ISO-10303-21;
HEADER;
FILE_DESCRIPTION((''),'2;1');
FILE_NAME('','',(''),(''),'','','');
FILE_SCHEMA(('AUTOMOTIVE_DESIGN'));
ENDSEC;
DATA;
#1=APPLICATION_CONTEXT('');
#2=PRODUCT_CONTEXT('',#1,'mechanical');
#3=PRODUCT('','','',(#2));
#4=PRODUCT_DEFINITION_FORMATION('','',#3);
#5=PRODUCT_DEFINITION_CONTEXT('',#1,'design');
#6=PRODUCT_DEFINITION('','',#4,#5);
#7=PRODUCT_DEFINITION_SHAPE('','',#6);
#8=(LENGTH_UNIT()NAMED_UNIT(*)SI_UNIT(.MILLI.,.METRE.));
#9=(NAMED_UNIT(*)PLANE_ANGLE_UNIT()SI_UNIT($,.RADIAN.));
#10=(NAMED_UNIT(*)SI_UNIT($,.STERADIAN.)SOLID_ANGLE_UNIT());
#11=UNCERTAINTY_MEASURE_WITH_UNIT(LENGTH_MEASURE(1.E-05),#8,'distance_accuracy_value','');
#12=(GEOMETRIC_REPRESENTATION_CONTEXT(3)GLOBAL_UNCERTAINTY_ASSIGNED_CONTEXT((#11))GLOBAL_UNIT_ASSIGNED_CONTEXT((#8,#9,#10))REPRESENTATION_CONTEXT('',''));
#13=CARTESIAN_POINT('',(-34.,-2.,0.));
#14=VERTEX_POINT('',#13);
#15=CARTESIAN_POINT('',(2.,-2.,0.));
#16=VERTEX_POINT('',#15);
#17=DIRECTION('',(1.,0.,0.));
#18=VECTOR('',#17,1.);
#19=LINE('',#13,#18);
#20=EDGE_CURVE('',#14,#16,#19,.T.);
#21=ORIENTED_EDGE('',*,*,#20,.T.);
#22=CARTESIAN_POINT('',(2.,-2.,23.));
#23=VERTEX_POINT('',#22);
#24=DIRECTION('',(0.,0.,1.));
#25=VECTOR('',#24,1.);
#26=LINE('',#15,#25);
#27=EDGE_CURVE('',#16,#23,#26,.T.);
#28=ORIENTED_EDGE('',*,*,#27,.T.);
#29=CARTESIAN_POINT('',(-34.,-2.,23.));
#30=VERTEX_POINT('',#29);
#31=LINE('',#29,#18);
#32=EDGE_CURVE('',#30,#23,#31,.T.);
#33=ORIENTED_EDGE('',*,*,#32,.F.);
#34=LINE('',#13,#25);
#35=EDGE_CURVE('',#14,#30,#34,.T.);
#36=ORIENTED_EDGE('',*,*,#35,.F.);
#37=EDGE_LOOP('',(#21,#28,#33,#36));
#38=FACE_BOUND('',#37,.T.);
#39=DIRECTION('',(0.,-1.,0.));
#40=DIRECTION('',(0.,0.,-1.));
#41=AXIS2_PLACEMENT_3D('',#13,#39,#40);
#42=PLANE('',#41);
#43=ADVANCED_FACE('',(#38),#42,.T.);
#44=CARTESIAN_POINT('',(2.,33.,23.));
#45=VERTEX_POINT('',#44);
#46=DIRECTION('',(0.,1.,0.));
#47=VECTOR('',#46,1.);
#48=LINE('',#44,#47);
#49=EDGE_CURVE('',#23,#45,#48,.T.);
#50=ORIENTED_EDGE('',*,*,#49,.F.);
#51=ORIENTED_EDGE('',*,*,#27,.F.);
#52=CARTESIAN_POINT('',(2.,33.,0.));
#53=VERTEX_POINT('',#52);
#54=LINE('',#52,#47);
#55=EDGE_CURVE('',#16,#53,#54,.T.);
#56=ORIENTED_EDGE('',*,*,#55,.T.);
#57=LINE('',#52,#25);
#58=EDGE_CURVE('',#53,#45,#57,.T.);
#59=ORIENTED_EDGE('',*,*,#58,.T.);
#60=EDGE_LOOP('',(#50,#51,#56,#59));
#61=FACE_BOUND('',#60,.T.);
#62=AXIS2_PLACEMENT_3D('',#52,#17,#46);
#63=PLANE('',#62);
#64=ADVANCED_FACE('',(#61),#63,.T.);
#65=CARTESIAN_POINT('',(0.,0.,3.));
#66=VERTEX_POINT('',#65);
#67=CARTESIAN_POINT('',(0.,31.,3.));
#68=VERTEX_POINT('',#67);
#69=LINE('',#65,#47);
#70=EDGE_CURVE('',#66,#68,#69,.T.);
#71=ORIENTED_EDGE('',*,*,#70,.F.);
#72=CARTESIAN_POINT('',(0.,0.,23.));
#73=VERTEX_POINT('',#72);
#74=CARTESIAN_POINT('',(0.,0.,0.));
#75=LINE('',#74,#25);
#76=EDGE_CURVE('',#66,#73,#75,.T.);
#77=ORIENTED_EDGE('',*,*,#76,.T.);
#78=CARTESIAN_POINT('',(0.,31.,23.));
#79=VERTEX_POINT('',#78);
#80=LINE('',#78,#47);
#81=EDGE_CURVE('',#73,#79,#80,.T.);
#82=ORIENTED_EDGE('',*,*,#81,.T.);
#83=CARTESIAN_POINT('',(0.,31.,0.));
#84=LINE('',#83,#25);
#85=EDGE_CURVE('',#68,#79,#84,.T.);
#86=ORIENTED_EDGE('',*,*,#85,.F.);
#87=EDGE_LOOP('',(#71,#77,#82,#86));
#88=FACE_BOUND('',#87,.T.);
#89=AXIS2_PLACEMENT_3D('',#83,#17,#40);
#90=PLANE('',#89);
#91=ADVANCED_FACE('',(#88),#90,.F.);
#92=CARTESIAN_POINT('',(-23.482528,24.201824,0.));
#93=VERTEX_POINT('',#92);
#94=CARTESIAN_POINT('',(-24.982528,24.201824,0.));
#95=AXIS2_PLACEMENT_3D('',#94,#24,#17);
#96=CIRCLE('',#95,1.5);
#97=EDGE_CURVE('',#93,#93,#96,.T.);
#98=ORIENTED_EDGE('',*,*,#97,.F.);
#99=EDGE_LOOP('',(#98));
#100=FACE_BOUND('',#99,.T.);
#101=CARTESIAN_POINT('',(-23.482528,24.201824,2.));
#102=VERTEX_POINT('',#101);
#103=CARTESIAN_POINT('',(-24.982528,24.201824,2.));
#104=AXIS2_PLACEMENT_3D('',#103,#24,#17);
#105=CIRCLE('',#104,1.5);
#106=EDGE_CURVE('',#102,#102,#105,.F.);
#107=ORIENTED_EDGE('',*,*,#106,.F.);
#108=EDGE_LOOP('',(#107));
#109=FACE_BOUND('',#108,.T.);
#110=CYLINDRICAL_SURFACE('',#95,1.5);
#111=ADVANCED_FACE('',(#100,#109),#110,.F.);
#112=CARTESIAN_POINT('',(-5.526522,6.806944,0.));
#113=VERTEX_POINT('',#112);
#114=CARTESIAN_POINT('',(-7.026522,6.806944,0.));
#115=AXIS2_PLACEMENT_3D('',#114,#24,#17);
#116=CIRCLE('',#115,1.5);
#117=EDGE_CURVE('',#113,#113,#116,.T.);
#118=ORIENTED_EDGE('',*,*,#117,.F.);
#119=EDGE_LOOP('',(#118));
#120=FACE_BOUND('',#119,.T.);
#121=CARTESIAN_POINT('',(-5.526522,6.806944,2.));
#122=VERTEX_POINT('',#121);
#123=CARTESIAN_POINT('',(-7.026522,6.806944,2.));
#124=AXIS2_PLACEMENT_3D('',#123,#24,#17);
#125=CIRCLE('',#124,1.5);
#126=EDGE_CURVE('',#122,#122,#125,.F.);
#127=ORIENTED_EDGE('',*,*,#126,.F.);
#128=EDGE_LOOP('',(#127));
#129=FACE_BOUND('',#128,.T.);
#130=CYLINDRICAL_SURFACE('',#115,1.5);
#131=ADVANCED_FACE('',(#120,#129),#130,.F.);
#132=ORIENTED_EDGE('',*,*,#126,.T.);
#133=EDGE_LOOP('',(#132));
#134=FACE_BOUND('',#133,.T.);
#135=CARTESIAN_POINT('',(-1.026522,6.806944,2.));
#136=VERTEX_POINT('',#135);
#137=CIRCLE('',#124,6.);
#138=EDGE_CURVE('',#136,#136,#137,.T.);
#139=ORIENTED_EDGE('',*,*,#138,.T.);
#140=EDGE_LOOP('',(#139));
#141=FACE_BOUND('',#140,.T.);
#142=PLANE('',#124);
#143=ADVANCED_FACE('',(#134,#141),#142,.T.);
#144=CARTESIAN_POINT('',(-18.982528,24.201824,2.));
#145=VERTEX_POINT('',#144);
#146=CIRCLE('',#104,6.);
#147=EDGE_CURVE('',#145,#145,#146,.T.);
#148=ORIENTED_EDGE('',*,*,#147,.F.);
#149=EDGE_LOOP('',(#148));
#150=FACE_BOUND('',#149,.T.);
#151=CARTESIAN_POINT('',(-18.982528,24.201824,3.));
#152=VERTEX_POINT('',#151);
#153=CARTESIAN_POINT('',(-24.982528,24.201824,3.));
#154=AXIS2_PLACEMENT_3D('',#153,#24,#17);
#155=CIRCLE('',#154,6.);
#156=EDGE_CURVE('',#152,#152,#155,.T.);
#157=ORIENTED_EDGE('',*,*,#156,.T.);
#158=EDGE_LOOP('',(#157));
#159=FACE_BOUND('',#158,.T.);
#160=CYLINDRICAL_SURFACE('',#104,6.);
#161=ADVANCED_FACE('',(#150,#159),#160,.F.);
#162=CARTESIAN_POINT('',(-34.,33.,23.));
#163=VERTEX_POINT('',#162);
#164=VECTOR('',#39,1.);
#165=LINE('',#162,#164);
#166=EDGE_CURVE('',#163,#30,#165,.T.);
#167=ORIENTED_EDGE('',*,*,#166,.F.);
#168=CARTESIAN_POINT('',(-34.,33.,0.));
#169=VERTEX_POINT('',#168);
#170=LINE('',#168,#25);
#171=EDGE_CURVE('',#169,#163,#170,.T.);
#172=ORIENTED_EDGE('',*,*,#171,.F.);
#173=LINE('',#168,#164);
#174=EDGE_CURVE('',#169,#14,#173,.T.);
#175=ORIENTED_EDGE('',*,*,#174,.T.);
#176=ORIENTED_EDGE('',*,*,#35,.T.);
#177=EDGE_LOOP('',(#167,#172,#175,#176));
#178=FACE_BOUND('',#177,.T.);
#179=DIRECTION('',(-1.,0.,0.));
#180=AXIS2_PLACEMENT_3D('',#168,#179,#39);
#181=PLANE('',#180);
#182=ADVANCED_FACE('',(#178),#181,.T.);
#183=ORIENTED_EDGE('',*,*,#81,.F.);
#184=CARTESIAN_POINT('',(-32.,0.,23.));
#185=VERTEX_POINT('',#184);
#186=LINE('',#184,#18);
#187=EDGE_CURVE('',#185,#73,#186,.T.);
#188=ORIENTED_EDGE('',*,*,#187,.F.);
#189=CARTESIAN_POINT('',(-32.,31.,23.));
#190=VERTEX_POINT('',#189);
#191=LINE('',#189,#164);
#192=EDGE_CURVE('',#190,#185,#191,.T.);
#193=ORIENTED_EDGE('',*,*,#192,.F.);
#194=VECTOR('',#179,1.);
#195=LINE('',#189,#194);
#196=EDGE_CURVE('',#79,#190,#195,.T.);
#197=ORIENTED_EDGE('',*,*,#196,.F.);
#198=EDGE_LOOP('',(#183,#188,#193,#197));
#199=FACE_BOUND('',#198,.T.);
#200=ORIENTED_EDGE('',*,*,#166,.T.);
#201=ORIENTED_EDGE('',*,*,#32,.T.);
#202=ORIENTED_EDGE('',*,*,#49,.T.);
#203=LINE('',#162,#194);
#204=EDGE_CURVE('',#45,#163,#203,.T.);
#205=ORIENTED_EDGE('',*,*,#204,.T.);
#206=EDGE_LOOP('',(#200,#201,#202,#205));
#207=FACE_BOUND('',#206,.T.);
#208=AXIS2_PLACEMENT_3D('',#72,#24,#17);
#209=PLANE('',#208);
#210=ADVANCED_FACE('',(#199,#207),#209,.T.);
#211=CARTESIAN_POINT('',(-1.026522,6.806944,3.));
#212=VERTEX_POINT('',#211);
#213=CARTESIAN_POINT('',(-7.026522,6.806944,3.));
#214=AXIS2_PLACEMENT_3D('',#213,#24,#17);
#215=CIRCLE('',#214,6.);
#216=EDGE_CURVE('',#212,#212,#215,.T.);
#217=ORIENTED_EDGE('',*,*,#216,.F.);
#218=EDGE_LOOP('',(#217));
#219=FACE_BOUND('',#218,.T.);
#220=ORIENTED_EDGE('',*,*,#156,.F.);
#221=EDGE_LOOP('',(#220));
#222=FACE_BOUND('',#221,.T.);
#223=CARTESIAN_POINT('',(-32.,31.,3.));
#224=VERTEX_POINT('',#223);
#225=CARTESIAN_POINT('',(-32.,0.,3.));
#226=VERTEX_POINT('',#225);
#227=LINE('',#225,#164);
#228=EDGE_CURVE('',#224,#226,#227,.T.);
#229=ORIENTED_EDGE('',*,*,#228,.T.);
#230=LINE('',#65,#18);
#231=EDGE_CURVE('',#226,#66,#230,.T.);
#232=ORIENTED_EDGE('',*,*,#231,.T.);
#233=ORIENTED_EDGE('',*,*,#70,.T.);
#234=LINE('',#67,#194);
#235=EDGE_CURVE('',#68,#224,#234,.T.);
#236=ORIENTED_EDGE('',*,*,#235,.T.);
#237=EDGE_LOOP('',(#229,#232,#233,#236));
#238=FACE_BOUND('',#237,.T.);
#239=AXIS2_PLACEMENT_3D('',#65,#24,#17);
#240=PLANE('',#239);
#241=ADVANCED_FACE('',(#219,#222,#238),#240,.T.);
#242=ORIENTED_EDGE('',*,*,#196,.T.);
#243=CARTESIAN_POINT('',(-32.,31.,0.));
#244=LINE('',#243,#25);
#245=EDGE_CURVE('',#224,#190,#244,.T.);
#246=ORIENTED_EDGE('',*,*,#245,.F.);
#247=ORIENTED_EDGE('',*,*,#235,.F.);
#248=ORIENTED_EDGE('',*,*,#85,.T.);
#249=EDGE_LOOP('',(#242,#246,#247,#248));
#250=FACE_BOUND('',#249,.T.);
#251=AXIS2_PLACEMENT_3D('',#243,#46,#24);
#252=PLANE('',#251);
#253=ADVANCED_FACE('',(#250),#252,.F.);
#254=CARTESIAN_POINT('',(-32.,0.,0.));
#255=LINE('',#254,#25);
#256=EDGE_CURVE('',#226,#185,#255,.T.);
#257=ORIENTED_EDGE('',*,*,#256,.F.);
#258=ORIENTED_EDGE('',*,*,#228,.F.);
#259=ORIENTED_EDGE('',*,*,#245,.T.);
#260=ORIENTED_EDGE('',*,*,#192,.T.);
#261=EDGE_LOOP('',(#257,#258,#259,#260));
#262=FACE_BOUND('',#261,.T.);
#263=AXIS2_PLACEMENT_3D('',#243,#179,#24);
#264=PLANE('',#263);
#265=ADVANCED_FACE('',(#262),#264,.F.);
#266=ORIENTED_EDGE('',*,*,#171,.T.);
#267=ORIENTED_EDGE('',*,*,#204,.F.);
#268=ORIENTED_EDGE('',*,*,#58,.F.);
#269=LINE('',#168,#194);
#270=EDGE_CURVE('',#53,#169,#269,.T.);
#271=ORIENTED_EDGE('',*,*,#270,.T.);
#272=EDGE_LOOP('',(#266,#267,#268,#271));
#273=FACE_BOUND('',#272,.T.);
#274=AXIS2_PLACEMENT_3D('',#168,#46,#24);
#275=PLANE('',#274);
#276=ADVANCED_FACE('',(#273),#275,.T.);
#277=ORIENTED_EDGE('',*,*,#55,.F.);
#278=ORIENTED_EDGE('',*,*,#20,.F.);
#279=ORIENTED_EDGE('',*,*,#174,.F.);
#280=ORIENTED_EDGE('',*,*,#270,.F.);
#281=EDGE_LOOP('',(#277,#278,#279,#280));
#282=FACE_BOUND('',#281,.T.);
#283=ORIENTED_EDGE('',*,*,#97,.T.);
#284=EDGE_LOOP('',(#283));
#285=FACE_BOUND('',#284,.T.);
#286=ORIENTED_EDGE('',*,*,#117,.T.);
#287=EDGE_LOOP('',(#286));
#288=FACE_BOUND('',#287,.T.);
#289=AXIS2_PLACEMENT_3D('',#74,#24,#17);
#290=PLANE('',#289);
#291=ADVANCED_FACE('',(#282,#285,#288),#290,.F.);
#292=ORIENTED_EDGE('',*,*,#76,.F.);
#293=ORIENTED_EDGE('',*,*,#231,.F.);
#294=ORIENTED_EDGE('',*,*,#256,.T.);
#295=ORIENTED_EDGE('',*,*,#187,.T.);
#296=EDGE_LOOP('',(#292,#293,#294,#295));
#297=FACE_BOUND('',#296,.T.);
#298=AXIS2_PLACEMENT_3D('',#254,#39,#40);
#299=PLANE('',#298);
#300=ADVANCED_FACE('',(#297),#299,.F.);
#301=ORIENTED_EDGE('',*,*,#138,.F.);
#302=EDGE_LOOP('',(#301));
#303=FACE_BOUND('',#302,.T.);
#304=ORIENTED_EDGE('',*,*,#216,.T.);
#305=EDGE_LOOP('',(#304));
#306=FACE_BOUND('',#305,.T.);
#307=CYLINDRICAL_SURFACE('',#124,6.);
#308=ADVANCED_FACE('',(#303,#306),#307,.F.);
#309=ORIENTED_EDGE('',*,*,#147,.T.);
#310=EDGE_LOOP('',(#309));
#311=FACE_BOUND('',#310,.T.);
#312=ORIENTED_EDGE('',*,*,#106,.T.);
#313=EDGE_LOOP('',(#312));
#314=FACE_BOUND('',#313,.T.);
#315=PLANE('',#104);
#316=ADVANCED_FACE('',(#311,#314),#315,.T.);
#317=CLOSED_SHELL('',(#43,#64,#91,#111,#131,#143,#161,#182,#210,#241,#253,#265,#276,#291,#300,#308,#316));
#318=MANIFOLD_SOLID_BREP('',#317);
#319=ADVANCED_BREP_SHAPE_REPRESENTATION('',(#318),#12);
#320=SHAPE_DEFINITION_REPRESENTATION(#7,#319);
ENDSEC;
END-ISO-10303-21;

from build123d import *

# Parameters (mm, degrees)
ESQUISSE1_W             = 32
ESQUISSE1_H             = 31
BOSS_EXTRU_1_DEPTH      = 3
BOSS_EXTRU_2_DEPTH      = 20
BOSS_EXTRU_2_DEPTH_BACK = 3
ESQUISSE2_W             = 36
ESQUISSE2_H             = 35
ESQUISSE2_W_2           = 32
ESQUISSE2_H_2           = 31
ESQUISSE3_R             = 1.5
ENL_V_MAT_EXTRU_1_DEPTH = 52.429563482
ESQUISSE4_R             = 6
ENL_V_MAT_EXTRU_2_DEPTH = 1


with BuildPart() as part:
    # Esquisse1 → Boss.-Extru.1 (new body)
    with BuildSketch(Plane.XY):
        with Locations((-16, 15.5)):
            Rectangle(ESQUISSE1_W, ESQUISSE1_H)
    extrude(amount=BOSS_EXTRU_1_DEPTH)

    # Esquisse2 → Boss.-Extru.2 (add, two sides: drawn at the far end of the back side and taken through both)
    with BuildSketch(Plane.XY.offset(3).offset(-BOSS_EXTRU_2_DEPTH_BACK)):
        with Locations((-16, 15.5)):
            Rectangle(ESQUISSE2_W, ESQUISSE2_H)
        with Locations((-16, 15.5)):
            Rectangle(ESQUISSE2_W_2, ESQUISSE2_H_2, mode=Mode.SUBTRACT)
    extrude(amount=BOSS_EXTRU_2_DEPTH + BOSS_EXTRU_2_DEPTH_BACK)

    # Esquisse3 → Enlèv. mat.-Extru.1 (cut, through all)
    with BuildSketch(Plane.XY.offset(3)):
        with Locations((-24.982527988, 24.201823988)):
            Circle(ESQUISSE3_R)
        with Locations((-7.026522418, 6.806943593)):
            Circle(ESQUISSE3_R)
    extrude(amount=-ENL_V_MAT_EXTRU_1_DEPTH, mode=Mode.SUBTRACT)

    # Esquisse4 → Enlèv. mat.-Extru.2 (cut)
    with BuildSketch(Plane.XY.offset(3)):
        with Locations((-24.982527988, 24.201823988)):
            Circle(ESQUISSE4_R)
        with Locations((-7.026522418, 6.806943593)):
            Circle(ESQUISSE4_R)
    extrude(amount=-ENL_V_MAT_EXTRU_2_DEPTH, mode=Mode.SUBTRACT)


solid = part.part
